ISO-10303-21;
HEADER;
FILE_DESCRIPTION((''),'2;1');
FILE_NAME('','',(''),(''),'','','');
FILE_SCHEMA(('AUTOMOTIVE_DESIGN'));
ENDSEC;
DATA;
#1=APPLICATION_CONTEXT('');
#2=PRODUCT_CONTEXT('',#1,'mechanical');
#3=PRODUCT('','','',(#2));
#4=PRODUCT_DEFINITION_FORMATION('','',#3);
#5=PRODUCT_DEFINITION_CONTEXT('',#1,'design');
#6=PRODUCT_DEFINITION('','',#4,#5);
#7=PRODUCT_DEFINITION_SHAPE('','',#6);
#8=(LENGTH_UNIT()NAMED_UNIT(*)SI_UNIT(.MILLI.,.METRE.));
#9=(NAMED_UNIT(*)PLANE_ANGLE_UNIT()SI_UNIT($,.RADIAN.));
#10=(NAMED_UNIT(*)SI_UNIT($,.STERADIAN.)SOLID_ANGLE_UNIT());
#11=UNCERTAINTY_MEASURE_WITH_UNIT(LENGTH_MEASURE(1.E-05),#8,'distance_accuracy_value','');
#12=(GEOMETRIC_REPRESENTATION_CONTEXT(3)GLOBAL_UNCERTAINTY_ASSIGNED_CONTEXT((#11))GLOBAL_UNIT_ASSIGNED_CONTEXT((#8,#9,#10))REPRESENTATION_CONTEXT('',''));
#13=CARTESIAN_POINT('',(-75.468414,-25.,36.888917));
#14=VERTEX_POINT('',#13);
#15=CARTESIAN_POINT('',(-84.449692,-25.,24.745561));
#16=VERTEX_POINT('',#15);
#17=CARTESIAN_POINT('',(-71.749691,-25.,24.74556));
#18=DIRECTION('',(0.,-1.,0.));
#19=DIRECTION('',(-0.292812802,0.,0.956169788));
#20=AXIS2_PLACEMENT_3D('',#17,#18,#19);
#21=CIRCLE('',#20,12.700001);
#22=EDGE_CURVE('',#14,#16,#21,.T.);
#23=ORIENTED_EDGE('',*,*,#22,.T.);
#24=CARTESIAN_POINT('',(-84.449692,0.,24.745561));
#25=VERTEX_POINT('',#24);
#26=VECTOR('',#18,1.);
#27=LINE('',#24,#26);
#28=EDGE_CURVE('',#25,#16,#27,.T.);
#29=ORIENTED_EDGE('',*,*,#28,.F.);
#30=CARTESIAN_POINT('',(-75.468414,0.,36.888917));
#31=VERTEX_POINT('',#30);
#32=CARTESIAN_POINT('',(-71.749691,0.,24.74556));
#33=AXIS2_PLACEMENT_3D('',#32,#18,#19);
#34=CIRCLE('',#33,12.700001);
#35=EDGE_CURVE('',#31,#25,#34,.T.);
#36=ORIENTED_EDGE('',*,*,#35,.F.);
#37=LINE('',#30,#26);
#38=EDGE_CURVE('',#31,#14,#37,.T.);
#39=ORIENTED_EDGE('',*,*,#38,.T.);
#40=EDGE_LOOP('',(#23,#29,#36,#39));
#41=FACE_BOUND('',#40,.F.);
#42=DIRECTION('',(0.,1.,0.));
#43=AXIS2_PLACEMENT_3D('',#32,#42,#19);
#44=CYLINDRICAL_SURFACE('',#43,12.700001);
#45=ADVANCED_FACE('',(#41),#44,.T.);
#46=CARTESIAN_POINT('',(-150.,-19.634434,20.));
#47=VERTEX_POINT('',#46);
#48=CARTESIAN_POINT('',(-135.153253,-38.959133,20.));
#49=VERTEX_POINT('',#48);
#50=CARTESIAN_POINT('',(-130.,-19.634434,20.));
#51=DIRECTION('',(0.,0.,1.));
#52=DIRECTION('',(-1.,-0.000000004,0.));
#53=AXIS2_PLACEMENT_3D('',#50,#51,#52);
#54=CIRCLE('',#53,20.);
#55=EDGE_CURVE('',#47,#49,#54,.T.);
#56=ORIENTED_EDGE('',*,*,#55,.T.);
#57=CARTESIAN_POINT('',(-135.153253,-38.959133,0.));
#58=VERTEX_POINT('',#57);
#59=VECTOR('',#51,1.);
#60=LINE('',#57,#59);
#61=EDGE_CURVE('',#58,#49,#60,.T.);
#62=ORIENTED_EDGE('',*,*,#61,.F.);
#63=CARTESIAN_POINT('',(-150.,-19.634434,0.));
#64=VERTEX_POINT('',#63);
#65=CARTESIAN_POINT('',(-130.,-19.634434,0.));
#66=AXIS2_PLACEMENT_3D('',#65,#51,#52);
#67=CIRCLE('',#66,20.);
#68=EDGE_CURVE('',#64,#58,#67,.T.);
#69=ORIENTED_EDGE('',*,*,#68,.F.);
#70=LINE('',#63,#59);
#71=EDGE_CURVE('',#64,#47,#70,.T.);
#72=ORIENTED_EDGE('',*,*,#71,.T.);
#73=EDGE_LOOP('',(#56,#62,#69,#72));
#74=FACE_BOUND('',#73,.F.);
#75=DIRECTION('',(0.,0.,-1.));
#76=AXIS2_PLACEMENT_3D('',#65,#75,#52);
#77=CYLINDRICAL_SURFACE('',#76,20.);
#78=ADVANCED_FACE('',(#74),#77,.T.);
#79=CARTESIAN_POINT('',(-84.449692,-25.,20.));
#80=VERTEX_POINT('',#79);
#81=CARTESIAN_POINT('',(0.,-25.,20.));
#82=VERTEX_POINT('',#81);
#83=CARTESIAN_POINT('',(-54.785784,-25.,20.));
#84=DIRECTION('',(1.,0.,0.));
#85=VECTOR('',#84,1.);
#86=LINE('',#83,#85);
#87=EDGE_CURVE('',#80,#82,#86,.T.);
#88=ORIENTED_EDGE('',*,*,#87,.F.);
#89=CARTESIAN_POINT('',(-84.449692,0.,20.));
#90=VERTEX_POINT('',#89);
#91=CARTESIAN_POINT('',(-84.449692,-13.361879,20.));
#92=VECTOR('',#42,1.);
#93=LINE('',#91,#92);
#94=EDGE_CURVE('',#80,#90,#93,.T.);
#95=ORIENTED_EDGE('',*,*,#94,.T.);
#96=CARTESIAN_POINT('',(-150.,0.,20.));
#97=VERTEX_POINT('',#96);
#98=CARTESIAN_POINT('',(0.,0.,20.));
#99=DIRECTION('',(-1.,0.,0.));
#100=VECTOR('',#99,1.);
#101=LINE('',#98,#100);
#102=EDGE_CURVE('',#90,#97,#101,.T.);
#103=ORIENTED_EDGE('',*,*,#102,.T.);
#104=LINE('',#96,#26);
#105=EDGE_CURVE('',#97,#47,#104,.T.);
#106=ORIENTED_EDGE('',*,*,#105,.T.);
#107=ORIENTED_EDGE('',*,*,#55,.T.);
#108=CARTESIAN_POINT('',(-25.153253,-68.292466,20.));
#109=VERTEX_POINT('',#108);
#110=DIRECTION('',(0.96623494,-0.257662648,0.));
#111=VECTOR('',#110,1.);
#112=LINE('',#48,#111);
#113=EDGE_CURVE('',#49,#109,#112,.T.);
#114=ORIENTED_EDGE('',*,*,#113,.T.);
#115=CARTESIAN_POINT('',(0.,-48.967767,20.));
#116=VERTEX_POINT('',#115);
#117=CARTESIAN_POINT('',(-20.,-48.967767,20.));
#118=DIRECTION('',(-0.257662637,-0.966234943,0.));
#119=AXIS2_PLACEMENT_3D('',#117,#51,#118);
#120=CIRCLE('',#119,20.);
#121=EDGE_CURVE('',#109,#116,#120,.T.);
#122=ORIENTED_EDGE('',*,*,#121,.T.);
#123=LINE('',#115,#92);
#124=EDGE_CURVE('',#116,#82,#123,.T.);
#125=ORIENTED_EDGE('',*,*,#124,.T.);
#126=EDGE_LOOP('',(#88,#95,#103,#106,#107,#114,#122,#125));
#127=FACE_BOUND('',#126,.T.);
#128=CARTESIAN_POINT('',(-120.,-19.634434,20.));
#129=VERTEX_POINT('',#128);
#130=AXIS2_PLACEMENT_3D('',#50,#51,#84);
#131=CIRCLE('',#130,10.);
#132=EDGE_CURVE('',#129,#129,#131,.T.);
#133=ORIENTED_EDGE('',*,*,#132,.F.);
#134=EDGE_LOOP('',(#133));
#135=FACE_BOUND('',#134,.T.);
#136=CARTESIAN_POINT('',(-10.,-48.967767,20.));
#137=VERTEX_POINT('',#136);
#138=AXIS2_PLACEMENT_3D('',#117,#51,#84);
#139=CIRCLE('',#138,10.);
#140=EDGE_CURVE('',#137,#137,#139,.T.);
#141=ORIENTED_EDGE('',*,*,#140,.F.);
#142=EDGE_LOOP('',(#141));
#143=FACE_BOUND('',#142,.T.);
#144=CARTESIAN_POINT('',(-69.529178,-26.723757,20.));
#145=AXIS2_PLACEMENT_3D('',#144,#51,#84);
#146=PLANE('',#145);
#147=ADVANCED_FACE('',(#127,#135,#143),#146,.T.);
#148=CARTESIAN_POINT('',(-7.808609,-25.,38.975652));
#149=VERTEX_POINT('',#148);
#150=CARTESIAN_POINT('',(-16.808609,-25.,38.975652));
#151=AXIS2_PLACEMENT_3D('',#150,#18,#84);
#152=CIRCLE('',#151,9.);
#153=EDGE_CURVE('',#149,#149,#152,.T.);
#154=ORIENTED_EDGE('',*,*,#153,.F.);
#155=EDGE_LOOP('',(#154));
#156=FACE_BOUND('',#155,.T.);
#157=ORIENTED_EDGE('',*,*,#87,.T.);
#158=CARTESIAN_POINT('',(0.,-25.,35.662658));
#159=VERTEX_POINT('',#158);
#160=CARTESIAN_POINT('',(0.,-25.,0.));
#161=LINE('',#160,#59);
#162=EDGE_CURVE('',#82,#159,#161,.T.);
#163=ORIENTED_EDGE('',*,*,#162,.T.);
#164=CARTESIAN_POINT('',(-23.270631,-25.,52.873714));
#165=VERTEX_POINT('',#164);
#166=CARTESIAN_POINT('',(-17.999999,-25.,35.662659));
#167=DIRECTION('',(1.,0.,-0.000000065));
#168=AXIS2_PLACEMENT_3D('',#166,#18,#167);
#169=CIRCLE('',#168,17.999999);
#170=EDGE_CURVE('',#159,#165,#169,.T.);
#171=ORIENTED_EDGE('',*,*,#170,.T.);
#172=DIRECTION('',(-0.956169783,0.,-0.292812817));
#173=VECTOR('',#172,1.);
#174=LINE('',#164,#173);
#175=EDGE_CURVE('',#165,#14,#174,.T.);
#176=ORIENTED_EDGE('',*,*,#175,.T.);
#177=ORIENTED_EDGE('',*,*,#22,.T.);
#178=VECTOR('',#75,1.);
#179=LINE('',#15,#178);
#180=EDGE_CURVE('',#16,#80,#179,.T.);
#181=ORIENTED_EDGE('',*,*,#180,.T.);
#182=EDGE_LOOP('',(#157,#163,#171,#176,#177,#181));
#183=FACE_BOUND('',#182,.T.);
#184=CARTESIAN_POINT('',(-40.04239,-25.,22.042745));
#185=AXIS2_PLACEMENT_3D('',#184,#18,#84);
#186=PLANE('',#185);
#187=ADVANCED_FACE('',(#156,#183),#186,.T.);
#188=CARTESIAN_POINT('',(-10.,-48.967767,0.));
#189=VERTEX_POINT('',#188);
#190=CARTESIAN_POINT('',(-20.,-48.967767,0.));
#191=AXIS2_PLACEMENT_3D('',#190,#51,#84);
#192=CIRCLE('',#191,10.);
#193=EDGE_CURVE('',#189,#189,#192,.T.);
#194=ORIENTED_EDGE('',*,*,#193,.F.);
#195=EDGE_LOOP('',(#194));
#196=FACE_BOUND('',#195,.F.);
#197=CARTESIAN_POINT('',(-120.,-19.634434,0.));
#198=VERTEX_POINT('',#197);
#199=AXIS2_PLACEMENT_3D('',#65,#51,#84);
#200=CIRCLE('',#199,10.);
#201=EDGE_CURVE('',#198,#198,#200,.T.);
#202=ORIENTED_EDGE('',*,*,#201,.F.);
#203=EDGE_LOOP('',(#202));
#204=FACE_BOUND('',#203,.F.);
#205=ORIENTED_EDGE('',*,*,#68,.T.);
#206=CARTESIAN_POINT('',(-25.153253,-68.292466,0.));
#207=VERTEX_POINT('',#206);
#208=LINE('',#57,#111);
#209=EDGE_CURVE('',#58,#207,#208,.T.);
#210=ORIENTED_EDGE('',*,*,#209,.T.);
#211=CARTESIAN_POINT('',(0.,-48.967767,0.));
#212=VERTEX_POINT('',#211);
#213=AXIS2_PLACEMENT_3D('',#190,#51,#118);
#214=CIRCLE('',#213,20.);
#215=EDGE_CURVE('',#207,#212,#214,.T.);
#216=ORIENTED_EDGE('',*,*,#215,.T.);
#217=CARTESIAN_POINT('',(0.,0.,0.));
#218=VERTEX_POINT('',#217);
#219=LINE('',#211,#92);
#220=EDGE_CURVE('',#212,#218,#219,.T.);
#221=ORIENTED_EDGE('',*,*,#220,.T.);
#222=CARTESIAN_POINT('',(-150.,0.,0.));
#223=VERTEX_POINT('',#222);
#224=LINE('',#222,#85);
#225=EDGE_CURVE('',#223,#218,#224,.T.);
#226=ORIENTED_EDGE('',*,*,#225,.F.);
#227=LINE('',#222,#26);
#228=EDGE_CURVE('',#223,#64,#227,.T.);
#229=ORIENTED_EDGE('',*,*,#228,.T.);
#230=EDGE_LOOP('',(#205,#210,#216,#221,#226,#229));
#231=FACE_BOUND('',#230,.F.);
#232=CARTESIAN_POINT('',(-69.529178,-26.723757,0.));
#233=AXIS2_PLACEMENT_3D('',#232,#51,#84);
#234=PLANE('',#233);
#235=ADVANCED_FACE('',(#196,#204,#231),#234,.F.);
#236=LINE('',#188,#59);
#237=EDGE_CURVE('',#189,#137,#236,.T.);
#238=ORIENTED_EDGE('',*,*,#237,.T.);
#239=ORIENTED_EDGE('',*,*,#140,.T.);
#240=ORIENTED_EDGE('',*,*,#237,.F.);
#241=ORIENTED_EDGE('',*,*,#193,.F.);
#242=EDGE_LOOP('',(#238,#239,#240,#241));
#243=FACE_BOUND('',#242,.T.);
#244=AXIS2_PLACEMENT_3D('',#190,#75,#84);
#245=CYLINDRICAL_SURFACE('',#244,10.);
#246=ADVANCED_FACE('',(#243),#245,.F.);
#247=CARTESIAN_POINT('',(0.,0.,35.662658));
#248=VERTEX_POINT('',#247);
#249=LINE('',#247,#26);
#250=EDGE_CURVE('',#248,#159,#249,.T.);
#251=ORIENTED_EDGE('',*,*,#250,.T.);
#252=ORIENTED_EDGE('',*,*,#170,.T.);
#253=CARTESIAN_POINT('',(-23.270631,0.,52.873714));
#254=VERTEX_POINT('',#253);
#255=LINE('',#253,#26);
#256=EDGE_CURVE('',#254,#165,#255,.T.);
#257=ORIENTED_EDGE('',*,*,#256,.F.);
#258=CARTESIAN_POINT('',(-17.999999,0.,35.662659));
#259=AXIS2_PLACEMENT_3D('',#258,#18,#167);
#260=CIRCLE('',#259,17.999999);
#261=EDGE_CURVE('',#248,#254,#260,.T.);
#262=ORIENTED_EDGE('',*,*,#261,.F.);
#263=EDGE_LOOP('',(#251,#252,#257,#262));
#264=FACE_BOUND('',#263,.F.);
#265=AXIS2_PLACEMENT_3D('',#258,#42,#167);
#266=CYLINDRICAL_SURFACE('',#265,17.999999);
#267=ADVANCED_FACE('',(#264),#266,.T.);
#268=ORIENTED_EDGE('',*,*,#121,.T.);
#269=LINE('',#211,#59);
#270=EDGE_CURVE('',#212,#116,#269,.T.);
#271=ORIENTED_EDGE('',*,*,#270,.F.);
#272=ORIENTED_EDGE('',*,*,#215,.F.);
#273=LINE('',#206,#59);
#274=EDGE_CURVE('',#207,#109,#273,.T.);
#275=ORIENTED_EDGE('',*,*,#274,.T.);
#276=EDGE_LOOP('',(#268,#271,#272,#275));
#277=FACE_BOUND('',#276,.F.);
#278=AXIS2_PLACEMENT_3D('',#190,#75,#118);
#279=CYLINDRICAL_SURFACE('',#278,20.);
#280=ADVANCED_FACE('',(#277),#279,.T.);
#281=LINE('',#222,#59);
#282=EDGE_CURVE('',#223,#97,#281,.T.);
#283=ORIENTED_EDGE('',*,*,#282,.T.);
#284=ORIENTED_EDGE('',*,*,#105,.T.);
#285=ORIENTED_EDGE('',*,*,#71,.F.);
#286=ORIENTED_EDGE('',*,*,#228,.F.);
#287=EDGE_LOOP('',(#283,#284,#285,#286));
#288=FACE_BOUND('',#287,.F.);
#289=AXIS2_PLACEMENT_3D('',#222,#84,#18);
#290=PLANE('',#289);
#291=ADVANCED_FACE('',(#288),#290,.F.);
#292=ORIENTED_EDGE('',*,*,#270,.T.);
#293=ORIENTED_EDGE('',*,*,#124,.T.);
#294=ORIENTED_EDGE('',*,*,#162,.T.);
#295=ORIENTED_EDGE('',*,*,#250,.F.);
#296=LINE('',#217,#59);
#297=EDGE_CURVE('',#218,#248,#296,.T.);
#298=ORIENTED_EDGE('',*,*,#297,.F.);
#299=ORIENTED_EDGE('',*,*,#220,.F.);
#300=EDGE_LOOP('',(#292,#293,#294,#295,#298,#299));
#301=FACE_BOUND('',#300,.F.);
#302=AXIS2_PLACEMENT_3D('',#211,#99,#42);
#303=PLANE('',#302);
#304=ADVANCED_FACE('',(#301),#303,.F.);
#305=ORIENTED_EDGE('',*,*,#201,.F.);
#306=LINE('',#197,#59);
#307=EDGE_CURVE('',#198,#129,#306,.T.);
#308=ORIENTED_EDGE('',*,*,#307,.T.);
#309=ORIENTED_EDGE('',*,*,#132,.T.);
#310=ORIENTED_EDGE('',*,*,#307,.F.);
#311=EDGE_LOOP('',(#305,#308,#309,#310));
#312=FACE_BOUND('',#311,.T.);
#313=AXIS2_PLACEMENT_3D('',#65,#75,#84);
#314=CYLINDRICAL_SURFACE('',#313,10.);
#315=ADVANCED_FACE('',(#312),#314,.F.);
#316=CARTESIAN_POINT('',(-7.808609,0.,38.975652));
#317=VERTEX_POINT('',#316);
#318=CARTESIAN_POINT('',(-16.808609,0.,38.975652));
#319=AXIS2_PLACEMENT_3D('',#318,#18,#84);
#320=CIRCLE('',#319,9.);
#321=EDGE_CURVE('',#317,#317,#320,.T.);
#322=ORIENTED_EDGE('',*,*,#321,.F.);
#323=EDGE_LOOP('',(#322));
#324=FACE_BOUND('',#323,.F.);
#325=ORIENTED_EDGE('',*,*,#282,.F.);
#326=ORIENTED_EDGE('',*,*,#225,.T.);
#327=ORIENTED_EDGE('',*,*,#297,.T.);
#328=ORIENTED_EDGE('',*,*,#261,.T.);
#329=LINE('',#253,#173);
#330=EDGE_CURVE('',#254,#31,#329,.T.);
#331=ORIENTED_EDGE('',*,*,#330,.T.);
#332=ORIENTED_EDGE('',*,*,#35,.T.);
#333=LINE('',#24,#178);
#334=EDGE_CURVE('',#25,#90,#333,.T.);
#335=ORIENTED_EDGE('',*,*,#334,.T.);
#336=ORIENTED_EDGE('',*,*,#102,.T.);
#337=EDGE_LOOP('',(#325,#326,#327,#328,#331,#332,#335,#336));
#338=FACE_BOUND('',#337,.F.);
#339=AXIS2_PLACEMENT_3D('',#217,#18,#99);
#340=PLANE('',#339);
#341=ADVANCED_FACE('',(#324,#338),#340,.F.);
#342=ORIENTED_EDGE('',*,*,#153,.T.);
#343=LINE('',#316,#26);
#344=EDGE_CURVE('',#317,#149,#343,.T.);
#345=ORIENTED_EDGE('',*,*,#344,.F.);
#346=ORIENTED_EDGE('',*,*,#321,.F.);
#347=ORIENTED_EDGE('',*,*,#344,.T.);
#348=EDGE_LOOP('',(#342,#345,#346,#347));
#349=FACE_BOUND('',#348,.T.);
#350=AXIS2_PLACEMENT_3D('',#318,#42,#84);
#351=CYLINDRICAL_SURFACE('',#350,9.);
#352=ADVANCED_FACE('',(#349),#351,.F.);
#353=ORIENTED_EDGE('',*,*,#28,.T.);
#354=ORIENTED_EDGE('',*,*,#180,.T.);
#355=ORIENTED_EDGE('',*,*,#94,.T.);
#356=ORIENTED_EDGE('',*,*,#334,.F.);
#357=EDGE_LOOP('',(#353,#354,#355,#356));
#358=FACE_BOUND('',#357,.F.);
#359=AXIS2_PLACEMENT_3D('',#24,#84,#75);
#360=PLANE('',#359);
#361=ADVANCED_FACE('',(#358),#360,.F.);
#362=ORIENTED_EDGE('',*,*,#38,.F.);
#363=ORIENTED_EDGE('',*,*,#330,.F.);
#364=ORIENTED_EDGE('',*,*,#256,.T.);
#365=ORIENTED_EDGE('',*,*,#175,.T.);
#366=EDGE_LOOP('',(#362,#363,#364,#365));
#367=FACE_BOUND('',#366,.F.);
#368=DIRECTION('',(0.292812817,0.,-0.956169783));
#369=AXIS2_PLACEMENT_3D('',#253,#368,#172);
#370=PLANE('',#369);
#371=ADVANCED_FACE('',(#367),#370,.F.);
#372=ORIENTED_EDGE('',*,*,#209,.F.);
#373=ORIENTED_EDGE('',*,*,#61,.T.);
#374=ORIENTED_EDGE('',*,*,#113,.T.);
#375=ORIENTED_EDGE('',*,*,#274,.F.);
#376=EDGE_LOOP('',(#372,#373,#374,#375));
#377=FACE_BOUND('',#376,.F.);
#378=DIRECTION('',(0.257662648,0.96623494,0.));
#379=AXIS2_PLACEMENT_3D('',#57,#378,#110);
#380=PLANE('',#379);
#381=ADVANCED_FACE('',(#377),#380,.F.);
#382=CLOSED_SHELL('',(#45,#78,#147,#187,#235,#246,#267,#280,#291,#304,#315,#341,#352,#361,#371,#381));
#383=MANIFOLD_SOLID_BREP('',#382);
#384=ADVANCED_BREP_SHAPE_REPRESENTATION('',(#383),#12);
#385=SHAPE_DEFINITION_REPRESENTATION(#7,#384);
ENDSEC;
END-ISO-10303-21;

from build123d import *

# Parameters (mm, degrees)
F0_R     = 10
F1_DEPTH = 20
F2_R     = 9
F3_DEPTH = 25


with BuildPart() as f1:
    # F0 (on Top) → F1 (new body)
    with BuildSketch(Plane.XY):
        with BuildLine():
            Line((0, -48.967767), (0, 0))
            Line((0, 0), (-150, 0))
            Line((-150, 0), (-150, -19.634434))
            ThreePointArc((-150, -19.634434), (-145.859777, -31.819157), (-135.153253, -38.959133))
            Line((-135.153253, -38.959133), (-25.153253, -68.292466))
            ThreePointArc((-25.153253, -68.292466), (-7.815277, -64.827544), (0, -48.967767))
        make_face()
        with Locations((-20, -48.967767)):
            Circle(F0_R, mode=Mode.SUBTRACT)
        with Locations((-130, -19.634434)):
            Circle(F0_R, mode=Mode.SUBTRACT)
    extrude(amount=F1_DEPTH)

    # F2 (on Front) → F3 (join)
    with BuildSketch(Plane.XZ):
        with BuildLine():
            Line((-84.449692, 0), (0, 0))
            Line((0, 0), (0, 35.662658))
            ThreePointArc((0, 35.662658), (-7.296527, 50.134551), (-23.270631, 52.873714))
            Line((-23.270631, 52.873714), (-75.468414, 36.888917))
            ThreePointArc((-75.468414, 36.888917), (-81.960416, 32.297455), (-84.449692, 24.745561))
            Line((-84.449692, 24.745561), (-84.449692, 0))
        make_face()
        with Locations((-16.808609, 38.975652)):
            Circle(F2_R, mode=Mode.SUBTRACT)
    extrude(amount=F3_DEPTH)


solid = f1.part
